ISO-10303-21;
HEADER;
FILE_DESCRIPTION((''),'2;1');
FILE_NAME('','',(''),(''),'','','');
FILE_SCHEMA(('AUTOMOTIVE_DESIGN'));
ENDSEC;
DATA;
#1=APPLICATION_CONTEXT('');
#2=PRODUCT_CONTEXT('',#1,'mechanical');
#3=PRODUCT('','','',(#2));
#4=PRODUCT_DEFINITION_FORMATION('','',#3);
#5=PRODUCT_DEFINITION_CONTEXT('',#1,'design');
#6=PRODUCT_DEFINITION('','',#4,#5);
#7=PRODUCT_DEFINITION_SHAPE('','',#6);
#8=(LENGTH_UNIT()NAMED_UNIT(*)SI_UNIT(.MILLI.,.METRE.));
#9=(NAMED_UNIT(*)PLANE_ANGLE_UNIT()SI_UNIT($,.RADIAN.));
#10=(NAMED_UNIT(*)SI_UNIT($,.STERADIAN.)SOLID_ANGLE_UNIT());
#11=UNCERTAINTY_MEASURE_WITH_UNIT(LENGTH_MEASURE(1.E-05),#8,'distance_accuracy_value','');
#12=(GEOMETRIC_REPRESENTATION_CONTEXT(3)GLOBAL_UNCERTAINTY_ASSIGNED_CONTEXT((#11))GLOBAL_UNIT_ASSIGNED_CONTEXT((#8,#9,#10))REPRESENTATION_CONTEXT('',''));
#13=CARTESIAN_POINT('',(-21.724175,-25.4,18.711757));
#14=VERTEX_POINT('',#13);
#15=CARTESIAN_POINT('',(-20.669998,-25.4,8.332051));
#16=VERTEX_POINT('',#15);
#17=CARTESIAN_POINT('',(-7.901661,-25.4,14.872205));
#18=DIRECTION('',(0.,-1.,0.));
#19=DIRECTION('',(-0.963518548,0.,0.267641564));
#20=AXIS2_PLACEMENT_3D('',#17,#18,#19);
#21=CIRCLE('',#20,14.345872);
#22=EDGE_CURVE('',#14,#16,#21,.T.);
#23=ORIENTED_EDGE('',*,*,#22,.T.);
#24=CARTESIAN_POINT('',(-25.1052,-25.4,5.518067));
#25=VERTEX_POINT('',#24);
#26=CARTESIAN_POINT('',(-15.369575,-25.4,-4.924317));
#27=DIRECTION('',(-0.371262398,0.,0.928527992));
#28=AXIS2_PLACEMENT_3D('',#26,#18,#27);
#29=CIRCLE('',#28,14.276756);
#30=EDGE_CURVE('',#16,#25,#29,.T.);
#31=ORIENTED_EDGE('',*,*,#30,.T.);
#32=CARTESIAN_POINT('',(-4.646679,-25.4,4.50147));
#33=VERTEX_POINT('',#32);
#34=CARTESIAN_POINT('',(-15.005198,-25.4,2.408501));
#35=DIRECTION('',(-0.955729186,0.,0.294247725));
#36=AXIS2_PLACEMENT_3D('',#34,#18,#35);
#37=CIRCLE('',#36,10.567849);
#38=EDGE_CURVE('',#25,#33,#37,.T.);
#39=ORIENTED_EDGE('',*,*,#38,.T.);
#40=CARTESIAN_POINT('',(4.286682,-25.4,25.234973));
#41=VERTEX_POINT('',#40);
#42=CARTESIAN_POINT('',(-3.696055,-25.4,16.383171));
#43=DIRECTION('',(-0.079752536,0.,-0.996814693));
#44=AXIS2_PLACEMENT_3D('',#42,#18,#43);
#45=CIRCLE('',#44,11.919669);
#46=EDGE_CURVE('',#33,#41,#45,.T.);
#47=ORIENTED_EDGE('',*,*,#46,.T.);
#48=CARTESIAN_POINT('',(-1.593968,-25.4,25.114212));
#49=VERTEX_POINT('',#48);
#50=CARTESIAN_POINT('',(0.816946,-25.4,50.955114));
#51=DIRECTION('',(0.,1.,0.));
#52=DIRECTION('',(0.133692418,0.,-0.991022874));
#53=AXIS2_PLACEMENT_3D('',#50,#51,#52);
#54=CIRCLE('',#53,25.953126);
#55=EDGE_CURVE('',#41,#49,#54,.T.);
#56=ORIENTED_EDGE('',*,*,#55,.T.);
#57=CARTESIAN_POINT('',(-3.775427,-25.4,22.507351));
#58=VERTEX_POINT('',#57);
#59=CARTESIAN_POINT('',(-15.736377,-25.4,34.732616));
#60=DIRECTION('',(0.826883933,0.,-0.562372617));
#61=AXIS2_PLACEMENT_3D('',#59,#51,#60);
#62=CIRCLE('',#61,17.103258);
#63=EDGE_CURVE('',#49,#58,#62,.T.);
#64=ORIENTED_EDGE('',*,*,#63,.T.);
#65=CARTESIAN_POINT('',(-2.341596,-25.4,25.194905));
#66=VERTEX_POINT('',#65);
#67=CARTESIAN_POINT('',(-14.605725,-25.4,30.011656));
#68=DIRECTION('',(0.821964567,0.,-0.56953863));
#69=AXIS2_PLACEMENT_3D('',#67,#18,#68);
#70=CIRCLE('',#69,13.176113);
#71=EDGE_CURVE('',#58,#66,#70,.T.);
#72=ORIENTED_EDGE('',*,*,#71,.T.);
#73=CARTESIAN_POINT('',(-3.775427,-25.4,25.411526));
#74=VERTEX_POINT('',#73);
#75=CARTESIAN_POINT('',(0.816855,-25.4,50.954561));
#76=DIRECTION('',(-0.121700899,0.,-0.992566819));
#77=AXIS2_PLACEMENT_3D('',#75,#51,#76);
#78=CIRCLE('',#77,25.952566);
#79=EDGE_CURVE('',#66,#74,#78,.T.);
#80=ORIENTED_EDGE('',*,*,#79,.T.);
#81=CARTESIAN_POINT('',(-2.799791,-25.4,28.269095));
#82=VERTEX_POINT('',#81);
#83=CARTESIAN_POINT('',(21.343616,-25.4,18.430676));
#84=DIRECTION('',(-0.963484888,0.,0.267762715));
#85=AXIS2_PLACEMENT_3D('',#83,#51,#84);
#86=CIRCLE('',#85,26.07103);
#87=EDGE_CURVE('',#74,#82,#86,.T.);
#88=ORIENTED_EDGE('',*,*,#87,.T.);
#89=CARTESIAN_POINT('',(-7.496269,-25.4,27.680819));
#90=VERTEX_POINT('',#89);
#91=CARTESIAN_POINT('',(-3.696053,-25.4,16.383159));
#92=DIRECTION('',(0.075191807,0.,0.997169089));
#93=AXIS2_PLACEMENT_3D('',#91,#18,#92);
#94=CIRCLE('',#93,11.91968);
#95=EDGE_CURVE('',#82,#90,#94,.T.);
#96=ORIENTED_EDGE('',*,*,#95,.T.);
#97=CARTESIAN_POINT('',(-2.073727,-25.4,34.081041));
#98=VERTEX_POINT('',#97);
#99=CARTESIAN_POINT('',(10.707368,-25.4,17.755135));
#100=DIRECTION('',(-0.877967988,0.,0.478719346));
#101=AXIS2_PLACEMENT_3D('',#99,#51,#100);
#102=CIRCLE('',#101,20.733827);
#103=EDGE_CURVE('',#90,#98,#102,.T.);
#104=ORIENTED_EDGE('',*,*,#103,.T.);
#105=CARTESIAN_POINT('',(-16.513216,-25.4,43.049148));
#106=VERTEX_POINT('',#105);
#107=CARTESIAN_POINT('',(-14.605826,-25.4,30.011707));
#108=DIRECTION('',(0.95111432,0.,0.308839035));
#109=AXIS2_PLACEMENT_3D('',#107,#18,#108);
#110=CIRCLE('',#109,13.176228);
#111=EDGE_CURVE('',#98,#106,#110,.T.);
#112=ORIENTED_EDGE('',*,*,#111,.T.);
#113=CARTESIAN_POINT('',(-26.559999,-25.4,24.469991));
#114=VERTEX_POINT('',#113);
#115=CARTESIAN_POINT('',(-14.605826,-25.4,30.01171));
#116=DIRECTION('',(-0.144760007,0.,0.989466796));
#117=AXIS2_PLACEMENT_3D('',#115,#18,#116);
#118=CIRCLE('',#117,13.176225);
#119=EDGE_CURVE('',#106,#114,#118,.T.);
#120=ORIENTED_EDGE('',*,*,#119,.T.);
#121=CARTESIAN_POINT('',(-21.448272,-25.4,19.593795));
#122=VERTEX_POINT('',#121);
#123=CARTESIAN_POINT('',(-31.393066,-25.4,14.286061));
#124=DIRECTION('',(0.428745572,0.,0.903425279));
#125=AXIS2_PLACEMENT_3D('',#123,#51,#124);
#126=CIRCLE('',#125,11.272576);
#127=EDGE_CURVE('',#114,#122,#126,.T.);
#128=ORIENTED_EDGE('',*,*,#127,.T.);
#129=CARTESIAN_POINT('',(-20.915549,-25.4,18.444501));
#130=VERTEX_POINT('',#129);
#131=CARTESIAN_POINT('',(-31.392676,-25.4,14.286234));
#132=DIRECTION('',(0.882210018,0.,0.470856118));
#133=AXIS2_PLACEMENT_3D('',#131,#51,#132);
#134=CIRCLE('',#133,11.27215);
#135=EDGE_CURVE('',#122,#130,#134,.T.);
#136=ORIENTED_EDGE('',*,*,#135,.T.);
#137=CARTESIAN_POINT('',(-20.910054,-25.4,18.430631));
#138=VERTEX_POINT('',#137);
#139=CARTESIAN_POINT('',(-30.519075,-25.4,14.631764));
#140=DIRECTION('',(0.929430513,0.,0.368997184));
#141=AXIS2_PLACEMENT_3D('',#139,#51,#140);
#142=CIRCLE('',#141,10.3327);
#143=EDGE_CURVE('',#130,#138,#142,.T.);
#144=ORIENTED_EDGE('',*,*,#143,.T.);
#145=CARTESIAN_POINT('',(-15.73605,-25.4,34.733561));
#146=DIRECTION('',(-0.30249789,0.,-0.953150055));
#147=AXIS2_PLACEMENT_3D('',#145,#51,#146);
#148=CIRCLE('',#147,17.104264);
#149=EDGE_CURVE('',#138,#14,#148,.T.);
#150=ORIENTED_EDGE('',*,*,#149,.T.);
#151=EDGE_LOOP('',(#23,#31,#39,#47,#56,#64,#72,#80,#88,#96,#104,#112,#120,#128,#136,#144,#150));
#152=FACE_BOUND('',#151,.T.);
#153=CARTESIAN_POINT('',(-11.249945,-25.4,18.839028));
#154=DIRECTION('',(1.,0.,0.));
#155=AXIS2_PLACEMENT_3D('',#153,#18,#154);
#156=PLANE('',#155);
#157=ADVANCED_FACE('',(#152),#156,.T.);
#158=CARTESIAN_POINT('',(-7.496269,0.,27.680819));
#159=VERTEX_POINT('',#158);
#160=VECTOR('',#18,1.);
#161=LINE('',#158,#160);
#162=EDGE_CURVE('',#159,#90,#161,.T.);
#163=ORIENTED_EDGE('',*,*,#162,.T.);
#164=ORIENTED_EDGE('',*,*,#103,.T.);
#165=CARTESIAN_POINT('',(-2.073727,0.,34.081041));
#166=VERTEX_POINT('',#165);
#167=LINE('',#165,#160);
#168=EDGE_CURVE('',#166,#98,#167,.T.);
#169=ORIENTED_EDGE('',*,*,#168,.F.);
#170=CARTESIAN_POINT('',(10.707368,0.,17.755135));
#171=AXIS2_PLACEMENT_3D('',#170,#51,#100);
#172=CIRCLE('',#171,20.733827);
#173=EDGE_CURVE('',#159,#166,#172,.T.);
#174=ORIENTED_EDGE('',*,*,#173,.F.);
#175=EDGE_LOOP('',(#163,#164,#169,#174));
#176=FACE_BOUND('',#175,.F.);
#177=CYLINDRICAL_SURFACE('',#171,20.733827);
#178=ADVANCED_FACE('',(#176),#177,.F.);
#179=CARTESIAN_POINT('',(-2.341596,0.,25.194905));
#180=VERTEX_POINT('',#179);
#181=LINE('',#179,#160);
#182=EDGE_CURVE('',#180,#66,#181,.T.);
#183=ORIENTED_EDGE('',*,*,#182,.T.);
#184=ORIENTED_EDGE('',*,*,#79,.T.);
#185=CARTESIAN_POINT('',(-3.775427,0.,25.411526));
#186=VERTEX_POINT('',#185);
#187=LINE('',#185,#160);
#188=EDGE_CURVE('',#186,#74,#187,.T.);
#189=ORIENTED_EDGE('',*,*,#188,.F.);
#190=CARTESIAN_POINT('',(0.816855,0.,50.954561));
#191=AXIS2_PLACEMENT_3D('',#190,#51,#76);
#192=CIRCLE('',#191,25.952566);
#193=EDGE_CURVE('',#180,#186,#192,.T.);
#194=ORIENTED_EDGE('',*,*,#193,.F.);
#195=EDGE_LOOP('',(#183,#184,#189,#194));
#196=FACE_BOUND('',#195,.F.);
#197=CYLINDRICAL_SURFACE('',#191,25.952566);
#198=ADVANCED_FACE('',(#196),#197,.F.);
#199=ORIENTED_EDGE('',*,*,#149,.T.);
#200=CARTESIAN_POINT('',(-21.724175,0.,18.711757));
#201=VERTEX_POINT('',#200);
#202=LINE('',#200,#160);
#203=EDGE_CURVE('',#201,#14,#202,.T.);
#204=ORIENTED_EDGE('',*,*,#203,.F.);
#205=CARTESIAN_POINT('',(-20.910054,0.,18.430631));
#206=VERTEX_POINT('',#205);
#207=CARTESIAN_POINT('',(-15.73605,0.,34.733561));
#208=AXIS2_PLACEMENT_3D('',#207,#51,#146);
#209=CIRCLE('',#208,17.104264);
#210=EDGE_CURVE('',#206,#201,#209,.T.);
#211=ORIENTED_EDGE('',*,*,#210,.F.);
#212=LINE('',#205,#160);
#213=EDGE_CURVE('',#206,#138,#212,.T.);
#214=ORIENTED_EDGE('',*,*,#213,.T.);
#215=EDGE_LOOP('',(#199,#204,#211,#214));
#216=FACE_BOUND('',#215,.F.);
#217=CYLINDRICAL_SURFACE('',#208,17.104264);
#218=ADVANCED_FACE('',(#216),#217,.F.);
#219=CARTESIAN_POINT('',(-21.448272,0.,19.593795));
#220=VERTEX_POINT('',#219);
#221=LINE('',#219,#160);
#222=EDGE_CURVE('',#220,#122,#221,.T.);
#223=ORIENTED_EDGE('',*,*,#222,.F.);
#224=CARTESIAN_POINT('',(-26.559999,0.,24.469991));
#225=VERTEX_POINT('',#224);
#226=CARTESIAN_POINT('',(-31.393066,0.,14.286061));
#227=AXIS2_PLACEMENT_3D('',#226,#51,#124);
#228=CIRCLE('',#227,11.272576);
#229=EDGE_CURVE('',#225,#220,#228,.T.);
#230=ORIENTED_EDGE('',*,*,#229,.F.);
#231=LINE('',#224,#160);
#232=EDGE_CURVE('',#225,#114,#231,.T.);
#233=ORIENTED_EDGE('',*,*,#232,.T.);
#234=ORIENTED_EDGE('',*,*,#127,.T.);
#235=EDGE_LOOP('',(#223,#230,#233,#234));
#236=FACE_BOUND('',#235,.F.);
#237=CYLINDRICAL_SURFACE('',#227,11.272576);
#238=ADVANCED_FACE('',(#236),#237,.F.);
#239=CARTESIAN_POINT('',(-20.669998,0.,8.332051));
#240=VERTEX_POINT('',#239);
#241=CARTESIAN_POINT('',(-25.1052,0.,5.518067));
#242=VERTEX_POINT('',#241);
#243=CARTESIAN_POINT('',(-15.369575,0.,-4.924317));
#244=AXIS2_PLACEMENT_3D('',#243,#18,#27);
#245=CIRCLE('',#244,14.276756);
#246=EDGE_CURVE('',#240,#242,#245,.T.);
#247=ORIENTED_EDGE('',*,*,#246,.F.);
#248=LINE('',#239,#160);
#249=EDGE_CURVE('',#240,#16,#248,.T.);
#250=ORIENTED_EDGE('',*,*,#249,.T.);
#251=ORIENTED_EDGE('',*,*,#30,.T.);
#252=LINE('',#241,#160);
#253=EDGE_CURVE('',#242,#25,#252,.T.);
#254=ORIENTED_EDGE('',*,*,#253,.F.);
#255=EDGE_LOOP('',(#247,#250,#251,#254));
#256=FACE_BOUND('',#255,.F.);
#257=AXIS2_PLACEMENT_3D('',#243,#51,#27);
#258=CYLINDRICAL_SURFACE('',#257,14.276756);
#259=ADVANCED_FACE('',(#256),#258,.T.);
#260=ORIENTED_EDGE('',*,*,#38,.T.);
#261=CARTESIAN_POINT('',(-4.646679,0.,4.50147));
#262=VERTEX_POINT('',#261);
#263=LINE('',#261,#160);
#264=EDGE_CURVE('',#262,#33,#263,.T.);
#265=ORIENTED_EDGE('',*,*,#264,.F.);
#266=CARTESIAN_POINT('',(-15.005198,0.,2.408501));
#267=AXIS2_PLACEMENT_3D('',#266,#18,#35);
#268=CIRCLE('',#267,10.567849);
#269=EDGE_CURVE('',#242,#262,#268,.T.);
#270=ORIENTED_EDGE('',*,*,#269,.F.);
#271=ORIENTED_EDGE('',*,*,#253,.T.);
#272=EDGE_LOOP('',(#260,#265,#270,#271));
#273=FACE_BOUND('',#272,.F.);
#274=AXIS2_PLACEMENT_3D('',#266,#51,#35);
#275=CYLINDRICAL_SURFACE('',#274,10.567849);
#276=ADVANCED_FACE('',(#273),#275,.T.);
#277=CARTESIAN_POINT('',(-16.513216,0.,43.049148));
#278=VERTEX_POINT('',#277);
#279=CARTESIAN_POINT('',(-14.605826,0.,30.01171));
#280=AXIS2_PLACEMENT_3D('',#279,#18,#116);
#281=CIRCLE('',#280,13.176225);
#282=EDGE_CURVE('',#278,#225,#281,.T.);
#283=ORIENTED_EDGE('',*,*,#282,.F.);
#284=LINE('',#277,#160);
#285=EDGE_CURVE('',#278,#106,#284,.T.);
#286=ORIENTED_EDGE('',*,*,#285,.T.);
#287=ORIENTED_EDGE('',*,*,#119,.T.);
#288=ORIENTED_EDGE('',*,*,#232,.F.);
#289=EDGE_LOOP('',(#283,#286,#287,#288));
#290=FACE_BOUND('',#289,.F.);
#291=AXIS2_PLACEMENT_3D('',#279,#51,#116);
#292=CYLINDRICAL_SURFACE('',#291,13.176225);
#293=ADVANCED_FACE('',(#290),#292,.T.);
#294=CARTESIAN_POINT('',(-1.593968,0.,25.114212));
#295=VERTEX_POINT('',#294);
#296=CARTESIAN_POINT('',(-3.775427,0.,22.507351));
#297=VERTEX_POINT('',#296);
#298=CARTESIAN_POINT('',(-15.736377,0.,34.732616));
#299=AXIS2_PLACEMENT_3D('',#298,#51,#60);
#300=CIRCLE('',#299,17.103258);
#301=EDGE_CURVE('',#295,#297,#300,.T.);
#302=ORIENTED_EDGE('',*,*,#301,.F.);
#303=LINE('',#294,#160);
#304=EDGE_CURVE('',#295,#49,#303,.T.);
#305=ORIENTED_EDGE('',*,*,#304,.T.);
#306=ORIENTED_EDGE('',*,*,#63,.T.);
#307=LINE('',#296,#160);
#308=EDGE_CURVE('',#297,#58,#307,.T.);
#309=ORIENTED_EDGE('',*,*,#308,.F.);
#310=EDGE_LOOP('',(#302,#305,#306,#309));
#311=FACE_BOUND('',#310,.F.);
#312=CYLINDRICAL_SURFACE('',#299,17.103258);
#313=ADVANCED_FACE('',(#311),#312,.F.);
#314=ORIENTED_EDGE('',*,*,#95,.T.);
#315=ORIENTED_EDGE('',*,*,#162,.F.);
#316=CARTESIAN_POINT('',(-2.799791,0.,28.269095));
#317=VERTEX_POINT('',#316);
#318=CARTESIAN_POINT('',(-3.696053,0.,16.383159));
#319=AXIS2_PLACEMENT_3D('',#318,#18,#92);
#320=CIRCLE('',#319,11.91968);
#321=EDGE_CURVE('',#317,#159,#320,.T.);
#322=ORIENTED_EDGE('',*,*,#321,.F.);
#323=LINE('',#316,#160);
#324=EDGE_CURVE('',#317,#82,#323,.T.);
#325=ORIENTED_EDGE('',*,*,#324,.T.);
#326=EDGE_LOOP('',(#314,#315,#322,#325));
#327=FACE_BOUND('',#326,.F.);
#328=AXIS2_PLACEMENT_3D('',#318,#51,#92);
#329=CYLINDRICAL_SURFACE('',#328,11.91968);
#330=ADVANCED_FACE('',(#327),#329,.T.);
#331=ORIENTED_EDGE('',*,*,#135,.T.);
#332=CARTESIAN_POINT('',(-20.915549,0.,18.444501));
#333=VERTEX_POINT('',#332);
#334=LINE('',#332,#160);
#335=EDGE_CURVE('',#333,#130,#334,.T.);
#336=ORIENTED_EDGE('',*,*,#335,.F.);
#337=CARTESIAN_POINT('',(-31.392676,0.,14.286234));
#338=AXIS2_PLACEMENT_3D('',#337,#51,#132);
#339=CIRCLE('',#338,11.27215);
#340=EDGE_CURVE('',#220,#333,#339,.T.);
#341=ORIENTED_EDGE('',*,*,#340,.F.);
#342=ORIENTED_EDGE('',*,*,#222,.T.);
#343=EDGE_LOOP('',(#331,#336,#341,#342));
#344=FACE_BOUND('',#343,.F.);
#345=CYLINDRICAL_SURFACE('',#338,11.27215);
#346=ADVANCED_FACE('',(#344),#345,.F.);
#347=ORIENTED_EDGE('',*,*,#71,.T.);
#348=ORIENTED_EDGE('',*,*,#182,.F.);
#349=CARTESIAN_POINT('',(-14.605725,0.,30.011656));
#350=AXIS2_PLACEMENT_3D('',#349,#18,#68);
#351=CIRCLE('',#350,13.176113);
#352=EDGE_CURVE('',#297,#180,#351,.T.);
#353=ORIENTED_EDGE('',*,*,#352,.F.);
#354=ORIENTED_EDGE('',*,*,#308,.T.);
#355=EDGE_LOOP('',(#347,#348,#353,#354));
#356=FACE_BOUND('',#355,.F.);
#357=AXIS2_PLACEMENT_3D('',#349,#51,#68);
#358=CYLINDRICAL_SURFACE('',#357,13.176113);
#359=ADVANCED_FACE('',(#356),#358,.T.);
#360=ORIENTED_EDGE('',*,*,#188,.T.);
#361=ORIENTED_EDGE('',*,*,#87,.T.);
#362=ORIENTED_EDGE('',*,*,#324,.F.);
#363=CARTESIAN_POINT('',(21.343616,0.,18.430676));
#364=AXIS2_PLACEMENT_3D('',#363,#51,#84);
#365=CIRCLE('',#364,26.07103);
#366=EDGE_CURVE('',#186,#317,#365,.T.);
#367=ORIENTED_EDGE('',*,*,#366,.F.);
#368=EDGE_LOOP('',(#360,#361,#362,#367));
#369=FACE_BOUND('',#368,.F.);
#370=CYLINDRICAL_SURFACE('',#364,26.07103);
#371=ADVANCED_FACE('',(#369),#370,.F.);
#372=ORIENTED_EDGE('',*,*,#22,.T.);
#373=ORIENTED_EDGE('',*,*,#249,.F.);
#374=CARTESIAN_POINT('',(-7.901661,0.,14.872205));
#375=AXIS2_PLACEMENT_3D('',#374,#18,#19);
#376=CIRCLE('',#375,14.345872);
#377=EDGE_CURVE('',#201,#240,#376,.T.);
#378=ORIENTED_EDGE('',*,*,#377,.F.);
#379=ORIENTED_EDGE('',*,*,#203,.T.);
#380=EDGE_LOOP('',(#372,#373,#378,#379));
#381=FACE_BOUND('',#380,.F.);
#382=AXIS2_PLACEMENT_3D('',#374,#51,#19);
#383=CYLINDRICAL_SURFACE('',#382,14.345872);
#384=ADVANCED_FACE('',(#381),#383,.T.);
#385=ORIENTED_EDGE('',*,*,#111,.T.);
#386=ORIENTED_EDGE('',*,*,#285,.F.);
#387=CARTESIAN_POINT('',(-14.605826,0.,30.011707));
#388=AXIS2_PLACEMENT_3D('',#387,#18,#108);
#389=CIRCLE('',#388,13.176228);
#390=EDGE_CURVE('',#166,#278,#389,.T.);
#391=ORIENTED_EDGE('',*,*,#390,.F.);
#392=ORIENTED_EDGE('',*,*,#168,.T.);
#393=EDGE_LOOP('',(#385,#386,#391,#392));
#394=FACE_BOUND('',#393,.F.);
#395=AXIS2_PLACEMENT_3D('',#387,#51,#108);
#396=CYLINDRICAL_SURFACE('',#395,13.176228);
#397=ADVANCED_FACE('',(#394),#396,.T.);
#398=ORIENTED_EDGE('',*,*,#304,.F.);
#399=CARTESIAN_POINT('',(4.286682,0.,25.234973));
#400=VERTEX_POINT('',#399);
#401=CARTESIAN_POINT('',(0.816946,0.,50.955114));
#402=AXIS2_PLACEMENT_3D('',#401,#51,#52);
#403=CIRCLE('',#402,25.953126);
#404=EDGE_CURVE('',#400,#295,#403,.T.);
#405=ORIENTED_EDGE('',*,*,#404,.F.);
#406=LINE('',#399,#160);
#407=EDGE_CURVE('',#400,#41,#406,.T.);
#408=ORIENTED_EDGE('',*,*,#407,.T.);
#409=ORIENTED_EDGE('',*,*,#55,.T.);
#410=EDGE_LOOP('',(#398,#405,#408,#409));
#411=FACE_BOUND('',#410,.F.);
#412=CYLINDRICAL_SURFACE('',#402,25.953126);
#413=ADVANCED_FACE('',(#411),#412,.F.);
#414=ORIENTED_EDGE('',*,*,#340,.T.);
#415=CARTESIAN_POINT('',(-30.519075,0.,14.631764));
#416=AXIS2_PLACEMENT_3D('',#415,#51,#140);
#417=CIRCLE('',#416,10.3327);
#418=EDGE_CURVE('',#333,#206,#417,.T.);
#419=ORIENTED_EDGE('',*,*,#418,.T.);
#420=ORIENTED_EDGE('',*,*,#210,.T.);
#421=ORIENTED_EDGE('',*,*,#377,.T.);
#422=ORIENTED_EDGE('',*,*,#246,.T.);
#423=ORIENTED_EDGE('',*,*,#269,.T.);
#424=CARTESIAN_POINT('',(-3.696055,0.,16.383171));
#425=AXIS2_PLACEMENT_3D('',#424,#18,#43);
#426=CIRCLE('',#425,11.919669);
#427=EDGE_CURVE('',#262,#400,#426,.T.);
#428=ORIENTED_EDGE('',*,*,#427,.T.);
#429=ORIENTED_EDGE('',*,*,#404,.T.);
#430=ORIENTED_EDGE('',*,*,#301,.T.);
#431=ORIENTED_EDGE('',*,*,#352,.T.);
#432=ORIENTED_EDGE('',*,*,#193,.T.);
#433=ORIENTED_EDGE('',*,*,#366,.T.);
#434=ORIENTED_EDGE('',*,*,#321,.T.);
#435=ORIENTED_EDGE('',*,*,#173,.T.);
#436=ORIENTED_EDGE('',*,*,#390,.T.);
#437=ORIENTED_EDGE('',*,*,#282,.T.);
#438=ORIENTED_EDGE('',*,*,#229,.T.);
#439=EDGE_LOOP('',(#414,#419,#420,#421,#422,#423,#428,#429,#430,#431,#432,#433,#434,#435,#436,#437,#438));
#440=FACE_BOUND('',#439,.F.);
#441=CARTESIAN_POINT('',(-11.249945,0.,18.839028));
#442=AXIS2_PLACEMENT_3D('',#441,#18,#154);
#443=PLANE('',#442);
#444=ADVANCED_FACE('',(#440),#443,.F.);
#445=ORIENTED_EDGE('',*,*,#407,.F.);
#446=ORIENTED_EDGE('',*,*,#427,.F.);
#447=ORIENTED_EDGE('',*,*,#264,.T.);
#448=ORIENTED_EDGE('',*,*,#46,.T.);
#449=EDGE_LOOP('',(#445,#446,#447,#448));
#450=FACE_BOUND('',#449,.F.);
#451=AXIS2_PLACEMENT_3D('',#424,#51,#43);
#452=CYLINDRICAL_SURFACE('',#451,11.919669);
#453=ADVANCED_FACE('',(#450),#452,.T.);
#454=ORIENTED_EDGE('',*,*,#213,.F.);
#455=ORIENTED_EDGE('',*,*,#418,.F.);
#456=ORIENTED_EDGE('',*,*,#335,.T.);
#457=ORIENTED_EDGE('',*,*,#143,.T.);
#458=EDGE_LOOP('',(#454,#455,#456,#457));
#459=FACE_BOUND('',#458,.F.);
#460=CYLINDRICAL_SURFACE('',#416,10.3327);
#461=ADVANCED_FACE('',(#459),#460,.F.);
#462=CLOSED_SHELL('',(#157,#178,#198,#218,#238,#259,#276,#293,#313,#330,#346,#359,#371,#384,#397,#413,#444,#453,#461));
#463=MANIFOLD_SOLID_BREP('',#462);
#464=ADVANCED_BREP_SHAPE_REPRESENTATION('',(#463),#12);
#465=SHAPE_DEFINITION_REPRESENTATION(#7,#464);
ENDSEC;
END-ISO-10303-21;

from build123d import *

# Parameters (mm, degrees)
F1_DEPTH = 25.4


with BuildPart() as f1:
    # F0 (on Front) → F1 (new body)
    with BuildSketch(Plane.XZ):
        with BuildLine():
            ThreePointArc((-16.513216, 43.049148), (-26.195994, 36.279159), (-26.559999, 24.469991))
            ThreePointArc((-26.559999, 24.469991), (-23.612281, 22.442675), (-21.448272, 19.593795))
            ThreePointArc((-21.448272, 19.593795), (-21.165753, 19.026637), (-20.915549, 18.444501))
            ThreePointArc((-20.915549, 18.444501), (-20.912799, 18.437567), (-20.910054, 18.430631))
            ThreePointArc((-20.910054, 18.430631), (-21.318885, 18.566069), (-21.724175, 18.711757))
            ThreePointArc((-21.724175, 18.711757), (-22.174114, 13.422676), (-20.669998, 8.332051))
            ThreePointArc((-20.669998, 8.332051), (-23.018125, 7.130784), (-25.1052, 5.518067))
            ThreePointArc((-25.1052, 5.518067), (-15.529674, -8.146325), (-4.646679, 4.50147))
            ThreePointArc((-4.646679, 4.50147), (7.250734, 11.666572), (4.286682, 25.234973))
            ThreePointArc((4.286682, 25.234973), (1.349789, 25.007459), (-1.593968, 25.114212))
            ThreePointArc((-1.593968, 25.114212), (-2.619774, 23.756453), (-3.775427, 22.507351))
            ThreePointArc((-3.775427, 22.507351), (-2.980585, 23.809554), (-2.341596, 25.194905))
            ThreePointArc((-2.341596, 25.194905), (-3.060024, 25.293199), (-3.775427, 25.411526))
            ThreePointArc((-3.775427, 25.411526), (-3.329014, 26.854447), (-2.799791, 28.269095))
            ThreePointArc((-2.799791, 28.269095), (-5.177523, 28.210416), (-7.496269, 27.680819))
            ThreePointArc((-7.496269, 27.680819), (-5.112054, 31.158026), (-2.073727, 34.081041))
            ThreePointArc((-2.073727, 34.081041), (-7.654003, 41.204792), (-16.513216, 43.049148))
        make_face()
    extrude(amount=F1_DEPTH)


solid = f1.part
